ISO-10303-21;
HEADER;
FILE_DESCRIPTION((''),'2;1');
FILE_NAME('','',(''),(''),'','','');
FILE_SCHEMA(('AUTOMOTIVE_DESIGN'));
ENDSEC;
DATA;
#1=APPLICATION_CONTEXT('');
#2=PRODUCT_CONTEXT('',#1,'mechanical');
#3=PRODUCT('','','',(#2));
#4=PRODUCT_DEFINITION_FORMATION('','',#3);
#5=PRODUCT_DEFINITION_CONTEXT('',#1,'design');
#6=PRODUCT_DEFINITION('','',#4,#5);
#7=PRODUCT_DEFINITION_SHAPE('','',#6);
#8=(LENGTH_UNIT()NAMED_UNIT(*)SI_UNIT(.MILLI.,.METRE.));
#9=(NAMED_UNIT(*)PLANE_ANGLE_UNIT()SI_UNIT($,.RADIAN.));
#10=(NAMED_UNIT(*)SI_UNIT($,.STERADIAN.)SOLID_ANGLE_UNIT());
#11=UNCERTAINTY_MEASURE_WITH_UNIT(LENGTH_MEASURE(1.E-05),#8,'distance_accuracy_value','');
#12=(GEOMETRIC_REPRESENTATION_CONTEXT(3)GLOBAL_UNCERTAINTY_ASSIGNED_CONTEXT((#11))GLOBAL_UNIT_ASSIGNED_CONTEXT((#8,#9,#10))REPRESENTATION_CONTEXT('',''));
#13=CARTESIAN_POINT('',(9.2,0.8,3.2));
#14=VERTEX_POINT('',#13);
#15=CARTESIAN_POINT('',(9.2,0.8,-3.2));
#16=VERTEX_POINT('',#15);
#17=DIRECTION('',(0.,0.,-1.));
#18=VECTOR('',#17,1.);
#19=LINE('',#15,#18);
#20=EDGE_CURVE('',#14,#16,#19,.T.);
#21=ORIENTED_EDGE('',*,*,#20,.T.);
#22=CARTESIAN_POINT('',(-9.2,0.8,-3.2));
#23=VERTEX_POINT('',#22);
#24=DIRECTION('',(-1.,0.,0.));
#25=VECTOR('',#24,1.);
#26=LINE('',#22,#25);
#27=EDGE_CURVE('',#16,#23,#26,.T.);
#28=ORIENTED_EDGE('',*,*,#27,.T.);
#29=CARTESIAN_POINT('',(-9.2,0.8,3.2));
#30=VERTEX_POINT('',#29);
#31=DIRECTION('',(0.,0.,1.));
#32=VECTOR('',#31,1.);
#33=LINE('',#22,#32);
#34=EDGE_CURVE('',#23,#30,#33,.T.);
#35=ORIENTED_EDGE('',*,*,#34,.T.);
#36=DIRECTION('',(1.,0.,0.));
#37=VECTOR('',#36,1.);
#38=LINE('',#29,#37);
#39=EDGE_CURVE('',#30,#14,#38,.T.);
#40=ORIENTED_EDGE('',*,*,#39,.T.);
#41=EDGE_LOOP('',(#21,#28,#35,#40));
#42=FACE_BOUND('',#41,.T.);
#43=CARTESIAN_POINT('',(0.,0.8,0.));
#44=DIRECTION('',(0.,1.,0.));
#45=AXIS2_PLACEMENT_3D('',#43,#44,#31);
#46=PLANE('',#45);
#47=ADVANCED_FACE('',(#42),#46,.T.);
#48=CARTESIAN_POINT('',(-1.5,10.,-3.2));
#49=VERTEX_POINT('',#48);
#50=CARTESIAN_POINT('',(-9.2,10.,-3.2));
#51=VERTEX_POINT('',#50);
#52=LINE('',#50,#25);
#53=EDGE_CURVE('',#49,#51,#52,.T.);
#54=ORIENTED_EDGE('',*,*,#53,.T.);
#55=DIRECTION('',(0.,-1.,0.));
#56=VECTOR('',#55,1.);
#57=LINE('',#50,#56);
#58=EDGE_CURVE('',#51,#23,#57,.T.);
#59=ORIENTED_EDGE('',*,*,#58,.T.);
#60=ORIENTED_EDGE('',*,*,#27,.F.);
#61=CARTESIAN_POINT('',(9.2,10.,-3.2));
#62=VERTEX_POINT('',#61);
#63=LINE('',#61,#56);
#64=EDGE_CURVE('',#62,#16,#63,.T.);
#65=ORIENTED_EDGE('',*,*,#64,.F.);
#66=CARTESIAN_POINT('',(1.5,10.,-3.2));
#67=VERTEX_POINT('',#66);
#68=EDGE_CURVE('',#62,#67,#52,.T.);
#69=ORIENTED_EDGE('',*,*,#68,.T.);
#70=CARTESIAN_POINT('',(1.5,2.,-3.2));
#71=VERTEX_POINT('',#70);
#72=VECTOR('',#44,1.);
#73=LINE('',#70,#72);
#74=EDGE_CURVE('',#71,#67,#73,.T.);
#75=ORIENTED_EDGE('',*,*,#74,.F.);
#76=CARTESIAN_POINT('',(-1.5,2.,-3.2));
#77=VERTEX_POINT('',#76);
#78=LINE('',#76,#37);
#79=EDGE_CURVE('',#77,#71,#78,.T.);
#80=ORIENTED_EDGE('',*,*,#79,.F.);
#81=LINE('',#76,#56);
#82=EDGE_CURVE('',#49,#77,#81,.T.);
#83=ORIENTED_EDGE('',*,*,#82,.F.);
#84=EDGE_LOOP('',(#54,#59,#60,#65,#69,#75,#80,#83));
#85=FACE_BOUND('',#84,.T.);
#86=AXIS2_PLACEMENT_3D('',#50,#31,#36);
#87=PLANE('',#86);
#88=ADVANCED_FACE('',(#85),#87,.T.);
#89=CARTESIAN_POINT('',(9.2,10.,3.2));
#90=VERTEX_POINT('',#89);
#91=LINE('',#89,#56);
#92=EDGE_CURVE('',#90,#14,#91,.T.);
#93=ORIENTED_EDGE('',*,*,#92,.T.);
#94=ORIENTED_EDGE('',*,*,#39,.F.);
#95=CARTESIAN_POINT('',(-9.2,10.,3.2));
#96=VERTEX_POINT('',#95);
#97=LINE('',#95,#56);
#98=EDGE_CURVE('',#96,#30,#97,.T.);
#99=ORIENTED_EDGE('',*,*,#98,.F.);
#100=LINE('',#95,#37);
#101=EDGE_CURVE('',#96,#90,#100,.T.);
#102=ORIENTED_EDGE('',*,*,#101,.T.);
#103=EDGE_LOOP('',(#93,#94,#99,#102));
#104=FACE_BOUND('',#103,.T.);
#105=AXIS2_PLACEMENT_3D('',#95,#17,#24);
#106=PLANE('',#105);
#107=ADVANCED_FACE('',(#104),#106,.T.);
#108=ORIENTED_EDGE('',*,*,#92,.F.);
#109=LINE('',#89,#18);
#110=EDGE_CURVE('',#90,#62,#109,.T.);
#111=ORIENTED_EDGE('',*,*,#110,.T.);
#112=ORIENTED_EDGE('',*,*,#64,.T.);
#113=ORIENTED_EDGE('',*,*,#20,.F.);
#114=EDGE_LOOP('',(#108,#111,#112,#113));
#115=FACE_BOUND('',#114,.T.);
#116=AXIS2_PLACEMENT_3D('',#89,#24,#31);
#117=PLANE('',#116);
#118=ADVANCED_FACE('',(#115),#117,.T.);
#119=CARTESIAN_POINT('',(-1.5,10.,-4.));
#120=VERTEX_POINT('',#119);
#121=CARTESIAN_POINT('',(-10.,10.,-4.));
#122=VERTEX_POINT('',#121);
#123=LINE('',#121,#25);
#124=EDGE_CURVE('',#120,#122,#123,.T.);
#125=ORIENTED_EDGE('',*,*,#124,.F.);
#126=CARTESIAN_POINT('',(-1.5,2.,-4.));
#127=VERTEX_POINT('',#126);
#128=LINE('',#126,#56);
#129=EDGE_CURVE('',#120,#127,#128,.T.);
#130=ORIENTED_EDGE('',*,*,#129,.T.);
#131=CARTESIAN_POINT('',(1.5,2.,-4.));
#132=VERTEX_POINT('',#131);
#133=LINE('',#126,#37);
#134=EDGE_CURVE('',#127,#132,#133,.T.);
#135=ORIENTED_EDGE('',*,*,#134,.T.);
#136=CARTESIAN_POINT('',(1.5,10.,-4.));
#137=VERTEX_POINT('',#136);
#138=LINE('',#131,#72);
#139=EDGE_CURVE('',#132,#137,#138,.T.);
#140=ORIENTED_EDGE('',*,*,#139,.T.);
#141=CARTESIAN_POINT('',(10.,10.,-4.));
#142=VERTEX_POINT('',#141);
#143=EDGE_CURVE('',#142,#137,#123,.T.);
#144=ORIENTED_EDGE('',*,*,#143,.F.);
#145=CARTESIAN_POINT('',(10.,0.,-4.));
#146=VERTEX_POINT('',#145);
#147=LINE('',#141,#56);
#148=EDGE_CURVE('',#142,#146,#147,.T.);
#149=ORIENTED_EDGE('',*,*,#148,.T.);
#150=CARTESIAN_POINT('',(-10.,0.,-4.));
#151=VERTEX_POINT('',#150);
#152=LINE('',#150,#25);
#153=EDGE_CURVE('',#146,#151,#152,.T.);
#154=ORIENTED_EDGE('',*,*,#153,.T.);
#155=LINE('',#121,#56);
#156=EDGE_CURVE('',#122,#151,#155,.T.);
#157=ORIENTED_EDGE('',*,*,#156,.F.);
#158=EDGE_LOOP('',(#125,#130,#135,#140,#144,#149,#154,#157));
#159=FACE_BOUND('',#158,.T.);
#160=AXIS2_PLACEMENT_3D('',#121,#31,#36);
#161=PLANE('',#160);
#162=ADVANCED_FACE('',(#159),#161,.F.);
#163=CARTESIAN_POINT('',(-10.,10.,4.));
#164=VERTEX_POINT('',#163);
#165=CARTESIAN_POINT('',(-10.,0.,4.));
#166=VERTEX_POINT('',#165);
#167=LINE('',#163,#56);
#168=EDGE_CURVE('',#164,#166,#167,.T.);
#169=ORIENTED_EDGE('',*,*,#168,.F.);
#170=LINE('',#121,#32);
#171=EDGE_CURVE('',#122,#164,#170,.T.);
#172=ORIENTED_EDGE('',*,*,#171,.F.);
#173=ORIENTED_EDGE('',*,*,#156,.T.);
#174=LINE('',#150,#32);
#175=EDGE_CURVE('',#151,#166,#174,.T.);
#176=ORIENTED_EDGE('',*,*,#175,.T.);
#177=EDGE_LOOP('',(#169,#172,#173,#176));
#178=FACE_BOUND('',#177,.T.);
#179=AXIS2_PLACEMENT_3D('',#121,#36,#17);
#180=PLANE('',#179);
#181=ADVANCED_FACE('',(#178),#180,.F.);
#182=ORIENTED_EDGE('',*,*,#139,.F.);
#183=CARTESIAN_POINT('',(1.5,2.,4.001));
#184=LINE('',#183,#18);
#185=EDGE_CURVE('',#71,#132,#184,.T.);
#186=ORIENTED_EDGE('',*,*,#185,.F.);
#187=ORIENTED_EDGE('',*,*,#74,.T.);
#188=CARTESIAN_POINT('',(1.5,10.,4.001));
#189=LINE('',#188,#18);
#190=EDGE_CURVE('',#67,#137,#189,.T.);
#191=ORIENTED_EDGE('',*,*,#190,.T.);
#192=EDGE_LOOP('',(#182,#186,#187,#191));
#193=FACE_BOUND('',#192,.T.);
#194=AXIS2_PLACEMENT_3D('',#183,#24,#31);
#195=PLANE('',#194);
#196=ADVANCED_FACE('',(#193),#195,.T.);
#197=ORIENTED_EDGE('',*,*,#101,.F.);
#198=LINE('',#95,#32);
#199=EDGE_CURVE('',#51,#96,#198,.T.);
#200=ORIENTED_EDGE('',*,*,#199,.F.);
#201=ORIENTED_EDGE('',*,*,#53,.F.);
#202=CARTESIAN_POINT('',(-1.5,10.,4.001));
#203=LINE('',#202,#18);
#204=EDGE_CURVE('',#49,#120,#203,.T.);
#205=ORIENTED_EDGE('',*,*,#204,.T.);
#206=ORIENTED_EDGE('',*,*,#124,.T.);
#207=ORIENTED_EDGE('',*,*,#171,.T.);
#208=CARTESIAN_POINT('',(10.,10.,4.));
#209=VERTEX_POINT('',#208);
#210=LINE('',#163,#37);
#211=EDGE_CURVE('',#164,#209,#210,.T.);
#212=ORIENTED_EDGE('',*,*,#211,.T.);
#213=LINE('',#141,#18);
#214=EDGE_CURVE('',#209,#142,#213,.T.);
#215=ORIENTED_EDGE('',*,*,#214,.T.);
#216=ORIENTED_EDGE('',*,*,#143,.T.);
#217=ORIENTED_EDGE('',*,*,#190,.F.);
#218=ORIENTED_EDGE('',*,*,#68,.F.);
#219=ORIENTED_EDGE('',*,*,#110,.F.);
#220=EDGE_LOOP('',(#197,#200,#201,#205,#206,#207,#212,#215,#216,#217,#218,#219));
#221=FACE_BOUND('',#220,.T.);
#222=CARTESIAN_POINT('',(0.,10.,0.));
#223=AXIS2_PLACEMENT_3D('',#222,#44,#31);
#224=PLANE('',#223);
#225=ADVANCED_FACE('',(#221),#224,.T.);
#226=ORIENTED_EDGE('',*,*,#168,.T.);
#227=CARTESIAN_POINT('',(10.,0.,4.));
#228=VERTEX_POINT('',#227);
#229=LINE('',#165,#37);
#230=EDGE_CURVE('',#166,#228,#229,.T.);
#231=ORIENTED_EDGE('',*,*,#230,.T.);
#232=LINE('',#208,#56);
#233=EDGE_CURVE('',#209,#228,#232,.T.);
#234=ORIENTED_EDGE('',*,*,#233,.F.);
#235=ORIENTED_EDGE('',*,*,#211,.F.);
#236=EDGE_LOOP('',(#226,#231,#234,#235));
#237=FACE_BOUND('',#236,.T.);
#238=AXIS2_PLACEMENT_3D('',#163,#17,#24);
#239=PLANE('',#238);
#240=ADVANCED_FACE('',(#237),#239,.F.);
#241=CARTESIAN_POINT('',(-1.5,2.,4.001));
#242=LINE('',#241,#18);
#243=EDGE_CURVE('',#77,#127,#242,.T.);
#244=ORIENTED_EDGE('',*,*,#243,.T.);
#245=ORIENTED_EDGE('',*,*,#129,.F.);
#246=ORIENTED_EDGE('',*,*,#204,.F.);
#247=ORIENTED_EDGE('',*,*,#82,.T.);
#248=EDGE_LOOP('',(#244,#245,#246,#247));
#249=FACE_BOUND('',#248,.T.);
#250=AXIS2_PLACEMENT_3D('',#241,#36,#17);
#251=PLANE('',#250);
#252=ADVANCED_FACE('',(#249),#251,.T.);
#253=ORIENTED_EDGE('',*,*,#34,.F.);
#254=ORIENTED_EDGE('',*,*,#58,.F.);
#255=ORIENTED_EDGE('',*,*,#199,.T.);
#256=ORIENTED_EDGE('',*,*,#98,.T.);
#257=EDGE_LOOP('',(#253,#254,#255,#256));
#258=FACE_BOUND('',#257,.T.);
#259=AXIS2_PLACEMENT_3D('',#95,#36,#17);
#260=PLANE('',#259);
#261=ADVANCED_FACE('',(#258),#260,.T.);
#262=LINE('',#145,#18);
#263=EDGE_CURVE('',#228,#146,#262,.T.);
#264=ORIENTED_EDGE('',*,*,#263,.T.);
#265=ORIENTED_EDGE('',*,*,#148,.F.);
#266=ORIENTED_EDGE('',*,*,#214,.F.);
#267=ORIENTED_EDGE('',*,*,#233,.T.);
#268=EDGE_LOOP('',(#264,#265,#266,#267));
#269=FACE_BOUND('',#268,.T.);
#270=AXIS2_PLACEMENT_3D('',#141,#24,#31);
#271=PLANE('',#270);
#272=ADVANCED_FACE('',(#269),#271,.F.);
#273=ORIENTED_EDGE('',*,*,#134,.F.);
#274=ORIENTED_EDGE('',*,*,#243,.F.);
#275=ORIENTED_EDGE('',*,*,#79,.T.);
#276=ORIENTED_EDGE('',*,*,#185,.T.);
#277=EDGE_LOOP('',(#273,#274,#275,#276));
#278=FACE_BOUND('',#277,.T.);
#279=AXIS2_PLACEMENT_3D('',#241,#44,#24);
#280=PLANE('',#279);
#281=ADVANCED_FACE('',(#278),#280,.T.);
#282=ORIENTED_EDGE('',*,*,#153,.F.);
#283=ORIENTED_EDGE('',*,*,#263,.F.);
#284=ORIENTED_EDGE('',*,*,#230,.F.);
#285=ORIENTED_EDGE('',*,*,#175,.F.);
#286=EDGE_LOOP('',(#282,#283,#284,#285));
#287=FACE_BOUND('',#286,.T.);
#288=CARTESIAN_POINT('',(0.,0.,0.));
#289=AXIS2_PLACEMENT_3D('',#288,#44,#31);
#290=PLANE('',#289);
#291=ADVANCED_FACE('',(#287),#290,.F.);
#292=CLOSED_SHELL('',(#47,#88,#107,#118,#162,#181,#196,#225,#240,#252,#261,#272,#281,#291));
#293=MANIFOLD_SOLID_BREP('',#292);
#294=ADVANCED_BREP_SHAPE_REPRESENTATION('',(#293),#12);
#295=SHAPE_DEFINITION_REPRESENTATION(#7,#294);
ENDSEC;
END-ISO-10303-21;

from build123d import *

# Parameters (mm, degrees)
SKETCH1_W           = 20
SKETCH1_H           = 8
SKETCH1_W_2         = 18.4
SKETCH1_H_2         = 6.4
BOSS_EXTRUDE1_DEPTH = 10
SKETCH3_W           = 18.4
SKETCH3_H           = 6.4
BOSS_EXTRUDE2_DEPTH = 0.8
CUT_EXTRUDE1_REACH  = 10
SKETCH2_W           = 3
SKETCH2_H           = 8


with BuildPart() as part:
    # Sketch1 → Boss-Extrude1 (new body)
    with BuildSketch(Plane(origin=(0, 0, 0), x_dir=(1, 0, 0), z_dir=(0, 1, 0))):
        Rectangle(SKETCH1_W, SKETCH1_H)
        Rectangle(SKETCH1_W_2, SKETCH1_H_2, mode=Mode.SUBTRACT)
    extrude(amount=BOSS_EXTRUDE1_DEPTH)

    # Sketch3 → Boss-Extrude2 (add)
    with BuildSketch(Plane(origin=(0, 0, 0), x_dir=(1, 0, 0), z_dir=(0, 1, 0))):
        Rectangle(SKETCH3_W, SKETCH3_H)
    extrude(amount=BOSS_EXTRUDE2_DEPTH)

    # Sketch2 → Cut-Extrude1 (cut, up to next)
    with BuildSketch(Plane.XY.offset(-4), mode=Mode.PRIVATE) as cut_extrude1_sk1:
        with Locations((0, 6)):
            Rectangle(SKETCH2_W, SKETCH2_H)
    cut_extrude1_tool1 = extrude(cut_extrude1_sk1.sketch, amount=CUT_EXTRUDE1_REACH, mode=Mode.PRIVATE) & part.part
    add(cut_extrude1_tool1.solids().sort_by_distance((0, 6, -4))[0], mode=Mode.SUBTRACT)


solid = part.part
